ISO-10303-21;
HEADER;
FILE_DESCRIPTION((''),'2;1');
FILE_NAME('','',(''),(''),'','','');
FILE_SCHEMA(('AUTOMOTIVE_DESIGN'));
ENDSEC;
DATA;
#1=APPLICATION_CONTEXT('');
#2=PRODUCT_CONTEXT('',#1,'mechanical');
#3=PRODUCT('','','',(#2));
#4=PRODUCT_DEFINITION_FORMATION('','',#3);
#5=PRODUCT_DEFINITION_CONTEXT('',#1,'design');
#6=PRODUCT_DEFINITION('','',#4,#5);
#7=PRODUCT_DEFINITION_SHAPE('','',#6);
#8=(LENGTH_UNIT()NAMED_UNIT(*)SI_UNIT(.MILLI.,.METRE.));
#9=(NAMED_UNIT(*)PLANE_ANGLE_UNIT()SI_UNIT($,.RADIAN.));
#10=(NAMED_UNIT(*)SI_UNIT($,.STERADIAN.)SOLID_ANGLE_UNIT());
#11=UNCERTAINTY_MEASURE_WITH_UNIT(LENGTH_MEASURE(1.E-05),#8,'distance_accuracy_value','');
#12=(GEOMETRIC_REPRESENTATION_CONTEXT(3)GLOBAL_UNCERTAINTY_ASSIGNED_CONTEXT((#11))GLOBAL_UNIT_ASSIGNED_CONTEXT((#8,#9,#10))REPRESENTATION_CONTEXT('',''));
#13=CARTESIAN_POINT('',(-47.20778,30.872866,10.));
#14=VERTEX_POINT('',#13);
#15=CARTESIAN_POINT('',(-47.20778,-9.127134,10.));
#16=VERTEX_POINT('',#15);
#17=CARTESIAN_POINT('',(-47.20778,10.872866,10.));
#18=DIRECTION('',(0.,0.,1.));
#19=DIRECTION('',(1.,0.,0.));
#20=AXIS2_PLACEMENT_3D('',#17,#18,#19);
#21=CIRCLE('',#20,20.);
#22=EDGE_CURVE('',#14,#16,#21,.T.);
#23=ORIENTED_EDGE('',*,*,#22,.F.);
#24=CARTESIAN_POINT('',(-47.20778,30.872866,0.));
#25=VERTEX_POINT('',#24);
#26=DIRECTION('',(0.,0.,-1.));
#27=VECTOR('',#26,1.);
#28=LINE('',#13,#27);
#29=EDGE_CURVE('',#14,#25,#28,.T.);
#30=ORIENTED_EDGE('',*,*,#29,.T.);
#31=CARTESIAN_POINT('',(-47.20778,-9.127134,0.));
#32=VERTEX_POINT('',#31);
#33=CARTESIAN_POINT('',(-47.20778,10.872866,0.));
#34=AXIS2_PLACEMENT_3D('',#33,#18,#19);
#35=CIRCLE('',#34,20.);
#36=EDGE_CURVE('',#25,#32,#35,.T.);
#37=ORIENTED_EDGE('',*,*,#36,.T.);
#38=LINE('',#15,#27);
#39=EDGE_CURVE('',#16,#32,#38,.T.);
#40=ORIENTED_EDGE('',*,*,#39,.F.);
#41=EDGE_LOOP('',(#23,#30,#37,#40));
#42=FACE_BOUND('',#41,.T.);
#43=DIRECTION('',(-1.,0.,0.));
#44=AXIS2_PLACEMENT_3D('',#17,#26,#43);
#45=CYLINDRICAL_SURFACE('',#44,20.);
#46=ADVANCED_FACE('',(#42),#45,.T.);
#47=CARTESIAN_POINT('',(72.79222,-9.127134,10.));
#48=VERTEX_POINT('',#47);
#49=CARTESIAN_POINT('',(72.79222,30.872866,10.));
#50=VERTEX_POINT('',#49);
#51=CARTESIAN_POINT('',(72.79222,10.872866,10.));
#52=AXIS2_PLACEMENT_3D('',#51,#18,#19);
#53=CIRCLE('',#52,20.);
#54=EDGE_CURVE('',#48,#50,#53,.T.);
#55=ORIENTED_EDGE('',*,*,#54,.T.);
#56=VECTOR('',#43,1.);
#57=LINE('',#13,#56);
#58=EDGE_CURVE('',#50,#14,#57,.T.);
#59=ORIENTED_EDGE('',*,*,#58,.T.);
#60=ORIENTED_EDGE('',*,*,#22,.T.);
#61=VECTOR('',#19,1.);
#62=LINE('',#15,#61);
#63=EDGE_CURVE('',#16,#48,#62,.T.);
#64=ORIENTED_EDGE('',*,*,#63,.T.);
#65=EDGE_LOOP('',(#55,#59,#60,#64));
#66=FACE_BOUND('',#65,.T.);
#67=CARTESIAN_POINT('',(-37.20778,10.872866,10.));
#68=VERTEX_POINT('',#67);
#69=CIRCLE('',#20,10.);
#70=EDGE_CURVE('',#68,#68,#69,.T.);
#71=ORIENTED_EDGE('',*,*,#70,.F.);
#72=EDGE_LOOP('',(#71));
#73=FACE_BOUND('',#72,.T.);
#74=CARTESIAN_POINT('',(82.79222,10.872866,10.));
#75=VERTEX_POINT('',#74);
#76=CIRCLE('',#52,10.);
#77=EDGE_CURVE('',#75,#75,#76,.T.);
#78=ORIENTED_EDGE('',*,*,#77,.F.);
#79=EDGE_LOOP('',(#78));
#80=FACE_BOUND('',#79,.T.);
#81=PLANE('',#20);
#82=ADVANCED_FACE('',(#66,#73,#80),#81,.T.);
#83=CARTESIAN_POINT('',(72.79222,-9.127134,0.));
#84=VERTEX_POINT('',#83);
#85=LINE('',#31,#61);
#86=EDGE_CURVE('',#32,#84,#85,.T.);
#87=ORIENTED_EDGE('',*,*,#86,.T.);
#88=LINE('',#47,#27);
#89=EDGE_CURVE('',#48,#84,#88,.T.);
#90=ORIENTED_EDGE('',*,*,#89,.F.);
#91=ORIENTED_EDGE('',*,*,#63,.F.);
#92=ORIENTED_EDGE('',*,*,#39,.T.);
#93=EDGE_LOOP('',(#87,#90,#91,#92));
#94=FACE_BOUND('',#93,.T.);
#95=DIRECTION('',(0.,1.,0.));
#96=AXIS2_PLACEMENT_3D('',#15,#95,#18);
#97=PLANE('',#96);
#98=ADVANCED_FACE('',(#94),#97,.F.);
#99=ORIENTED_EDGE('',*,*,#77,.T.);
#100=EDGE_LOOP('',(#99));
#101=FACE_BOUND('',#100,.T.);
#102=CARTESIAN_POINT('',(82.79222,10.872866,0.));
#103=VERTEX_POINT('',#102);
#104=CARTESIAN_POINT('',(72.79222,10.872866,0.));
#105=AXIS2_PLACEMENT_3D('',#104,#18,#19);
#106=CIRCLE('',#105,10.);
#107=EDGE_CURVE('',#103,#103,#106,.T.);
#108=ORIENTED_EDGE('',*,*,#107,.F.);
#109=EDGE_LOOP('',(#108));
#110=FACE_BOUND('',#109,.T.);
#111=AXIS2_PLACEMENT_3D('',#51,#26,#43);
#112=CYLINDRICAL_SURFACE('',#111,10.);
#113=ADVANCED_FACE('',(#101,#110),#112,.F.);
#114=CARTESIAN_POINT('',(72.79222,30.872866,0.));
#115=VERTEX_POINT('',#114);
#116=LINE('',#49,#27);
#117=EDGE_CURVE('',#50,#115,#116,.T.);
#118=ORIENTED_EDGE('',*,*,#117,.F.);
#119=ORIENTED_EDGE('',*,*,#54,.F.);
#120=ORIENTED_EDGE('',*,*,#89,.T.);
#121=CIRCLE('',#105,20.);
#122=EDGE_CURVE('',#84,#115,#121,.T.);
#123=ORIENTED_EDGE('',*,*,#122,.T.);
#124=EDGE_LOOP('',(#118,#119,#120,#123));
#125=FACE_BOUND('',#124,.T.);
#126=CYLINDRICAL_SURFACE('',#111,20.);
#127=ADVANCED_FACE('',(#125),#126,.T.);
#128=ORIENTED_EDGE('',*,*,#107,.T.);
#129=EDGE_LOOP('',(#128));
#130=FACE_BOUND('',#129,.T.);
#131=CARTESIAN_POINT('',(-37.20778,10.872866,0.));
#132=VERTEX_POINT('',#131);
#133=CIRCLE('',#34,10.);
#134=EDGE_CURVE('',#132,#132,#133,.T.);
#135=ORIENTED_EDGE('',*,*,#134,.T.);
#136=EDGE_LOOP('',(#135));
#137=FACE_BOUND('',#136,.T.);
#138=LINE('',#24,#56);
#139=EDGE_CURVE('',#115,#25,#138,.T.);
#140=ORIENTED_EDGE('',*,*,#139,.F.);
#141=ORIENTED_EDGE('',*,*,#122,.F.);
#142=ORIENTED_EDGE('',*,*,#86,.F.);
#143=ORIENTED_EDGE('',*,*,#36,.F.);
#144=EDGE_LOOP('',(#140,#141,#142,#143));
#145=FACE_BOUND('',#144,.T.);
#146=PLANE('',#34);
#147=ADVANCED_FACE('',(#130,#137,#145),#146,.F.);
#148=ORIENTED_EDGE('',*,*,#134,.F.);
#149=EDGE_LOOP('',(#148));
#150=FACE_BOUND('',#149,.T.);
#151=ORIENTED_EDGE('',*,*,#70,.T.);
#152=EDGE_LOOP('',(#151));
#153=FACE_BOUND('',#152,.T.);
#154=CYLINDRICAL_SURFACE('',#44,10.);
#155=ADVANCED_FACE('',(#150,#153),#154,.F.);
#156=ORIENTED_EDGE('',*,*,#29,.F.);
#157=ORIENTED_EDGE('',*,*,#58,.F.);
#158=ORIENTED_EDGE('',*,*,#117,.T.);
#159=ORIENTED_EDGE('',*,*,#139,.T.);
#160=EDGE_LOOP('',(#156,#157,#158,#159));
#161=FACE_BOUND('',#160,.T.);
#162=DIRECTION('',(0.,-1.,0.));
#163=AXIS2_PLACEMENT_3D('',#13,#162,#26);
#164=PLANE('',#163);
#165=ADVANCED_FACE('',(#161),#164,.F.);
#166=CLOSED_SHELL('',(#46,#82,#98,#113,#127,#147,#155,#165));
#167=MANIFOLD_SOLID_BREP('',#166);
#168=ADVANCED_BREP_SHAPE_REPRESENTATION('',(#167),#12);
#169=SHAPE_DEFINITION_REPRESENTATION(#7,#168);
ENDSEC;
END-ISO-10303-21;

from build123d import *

# Parameters (mm, degrees)
SKETCH_1_R      = 10
EXTRUDE_1_DEPTH = 10


with BuildPart() as part:
    # 草图1 → 凸台-拉伸1 (new body)
    with BuildSketch(Plane.XY):
        with BuildLine():
            Line((-47.207779672, 30.872865574), (72.792220328, 30.872865574))
            ThreePointArc((72.792220328, 30.872865574), (92.792220328, 10.872865574), (72.792220328, -9.127134426))
            Line((72.792220328, -9.127134426), (-47.207779672, -9.127134426))
            ThreePointArc((-47.207779672, -9.127134426), (-67.207779672, 10.872865574), (-47.207779672, 30.872865574))
        make_face()
        with Locations((72.792220328, 10.872865574)):
            Circle(SKETCH_1_R, mode=Mode.SUBTRACT)
        with Locations((-47.207779672, 10.872865574)):
            Circle(SKETCH_1_R, mode=Mode.SUBTRACT)
    extrude(amount=EXTRUDE_1_DEPTH)


solid = part.part
